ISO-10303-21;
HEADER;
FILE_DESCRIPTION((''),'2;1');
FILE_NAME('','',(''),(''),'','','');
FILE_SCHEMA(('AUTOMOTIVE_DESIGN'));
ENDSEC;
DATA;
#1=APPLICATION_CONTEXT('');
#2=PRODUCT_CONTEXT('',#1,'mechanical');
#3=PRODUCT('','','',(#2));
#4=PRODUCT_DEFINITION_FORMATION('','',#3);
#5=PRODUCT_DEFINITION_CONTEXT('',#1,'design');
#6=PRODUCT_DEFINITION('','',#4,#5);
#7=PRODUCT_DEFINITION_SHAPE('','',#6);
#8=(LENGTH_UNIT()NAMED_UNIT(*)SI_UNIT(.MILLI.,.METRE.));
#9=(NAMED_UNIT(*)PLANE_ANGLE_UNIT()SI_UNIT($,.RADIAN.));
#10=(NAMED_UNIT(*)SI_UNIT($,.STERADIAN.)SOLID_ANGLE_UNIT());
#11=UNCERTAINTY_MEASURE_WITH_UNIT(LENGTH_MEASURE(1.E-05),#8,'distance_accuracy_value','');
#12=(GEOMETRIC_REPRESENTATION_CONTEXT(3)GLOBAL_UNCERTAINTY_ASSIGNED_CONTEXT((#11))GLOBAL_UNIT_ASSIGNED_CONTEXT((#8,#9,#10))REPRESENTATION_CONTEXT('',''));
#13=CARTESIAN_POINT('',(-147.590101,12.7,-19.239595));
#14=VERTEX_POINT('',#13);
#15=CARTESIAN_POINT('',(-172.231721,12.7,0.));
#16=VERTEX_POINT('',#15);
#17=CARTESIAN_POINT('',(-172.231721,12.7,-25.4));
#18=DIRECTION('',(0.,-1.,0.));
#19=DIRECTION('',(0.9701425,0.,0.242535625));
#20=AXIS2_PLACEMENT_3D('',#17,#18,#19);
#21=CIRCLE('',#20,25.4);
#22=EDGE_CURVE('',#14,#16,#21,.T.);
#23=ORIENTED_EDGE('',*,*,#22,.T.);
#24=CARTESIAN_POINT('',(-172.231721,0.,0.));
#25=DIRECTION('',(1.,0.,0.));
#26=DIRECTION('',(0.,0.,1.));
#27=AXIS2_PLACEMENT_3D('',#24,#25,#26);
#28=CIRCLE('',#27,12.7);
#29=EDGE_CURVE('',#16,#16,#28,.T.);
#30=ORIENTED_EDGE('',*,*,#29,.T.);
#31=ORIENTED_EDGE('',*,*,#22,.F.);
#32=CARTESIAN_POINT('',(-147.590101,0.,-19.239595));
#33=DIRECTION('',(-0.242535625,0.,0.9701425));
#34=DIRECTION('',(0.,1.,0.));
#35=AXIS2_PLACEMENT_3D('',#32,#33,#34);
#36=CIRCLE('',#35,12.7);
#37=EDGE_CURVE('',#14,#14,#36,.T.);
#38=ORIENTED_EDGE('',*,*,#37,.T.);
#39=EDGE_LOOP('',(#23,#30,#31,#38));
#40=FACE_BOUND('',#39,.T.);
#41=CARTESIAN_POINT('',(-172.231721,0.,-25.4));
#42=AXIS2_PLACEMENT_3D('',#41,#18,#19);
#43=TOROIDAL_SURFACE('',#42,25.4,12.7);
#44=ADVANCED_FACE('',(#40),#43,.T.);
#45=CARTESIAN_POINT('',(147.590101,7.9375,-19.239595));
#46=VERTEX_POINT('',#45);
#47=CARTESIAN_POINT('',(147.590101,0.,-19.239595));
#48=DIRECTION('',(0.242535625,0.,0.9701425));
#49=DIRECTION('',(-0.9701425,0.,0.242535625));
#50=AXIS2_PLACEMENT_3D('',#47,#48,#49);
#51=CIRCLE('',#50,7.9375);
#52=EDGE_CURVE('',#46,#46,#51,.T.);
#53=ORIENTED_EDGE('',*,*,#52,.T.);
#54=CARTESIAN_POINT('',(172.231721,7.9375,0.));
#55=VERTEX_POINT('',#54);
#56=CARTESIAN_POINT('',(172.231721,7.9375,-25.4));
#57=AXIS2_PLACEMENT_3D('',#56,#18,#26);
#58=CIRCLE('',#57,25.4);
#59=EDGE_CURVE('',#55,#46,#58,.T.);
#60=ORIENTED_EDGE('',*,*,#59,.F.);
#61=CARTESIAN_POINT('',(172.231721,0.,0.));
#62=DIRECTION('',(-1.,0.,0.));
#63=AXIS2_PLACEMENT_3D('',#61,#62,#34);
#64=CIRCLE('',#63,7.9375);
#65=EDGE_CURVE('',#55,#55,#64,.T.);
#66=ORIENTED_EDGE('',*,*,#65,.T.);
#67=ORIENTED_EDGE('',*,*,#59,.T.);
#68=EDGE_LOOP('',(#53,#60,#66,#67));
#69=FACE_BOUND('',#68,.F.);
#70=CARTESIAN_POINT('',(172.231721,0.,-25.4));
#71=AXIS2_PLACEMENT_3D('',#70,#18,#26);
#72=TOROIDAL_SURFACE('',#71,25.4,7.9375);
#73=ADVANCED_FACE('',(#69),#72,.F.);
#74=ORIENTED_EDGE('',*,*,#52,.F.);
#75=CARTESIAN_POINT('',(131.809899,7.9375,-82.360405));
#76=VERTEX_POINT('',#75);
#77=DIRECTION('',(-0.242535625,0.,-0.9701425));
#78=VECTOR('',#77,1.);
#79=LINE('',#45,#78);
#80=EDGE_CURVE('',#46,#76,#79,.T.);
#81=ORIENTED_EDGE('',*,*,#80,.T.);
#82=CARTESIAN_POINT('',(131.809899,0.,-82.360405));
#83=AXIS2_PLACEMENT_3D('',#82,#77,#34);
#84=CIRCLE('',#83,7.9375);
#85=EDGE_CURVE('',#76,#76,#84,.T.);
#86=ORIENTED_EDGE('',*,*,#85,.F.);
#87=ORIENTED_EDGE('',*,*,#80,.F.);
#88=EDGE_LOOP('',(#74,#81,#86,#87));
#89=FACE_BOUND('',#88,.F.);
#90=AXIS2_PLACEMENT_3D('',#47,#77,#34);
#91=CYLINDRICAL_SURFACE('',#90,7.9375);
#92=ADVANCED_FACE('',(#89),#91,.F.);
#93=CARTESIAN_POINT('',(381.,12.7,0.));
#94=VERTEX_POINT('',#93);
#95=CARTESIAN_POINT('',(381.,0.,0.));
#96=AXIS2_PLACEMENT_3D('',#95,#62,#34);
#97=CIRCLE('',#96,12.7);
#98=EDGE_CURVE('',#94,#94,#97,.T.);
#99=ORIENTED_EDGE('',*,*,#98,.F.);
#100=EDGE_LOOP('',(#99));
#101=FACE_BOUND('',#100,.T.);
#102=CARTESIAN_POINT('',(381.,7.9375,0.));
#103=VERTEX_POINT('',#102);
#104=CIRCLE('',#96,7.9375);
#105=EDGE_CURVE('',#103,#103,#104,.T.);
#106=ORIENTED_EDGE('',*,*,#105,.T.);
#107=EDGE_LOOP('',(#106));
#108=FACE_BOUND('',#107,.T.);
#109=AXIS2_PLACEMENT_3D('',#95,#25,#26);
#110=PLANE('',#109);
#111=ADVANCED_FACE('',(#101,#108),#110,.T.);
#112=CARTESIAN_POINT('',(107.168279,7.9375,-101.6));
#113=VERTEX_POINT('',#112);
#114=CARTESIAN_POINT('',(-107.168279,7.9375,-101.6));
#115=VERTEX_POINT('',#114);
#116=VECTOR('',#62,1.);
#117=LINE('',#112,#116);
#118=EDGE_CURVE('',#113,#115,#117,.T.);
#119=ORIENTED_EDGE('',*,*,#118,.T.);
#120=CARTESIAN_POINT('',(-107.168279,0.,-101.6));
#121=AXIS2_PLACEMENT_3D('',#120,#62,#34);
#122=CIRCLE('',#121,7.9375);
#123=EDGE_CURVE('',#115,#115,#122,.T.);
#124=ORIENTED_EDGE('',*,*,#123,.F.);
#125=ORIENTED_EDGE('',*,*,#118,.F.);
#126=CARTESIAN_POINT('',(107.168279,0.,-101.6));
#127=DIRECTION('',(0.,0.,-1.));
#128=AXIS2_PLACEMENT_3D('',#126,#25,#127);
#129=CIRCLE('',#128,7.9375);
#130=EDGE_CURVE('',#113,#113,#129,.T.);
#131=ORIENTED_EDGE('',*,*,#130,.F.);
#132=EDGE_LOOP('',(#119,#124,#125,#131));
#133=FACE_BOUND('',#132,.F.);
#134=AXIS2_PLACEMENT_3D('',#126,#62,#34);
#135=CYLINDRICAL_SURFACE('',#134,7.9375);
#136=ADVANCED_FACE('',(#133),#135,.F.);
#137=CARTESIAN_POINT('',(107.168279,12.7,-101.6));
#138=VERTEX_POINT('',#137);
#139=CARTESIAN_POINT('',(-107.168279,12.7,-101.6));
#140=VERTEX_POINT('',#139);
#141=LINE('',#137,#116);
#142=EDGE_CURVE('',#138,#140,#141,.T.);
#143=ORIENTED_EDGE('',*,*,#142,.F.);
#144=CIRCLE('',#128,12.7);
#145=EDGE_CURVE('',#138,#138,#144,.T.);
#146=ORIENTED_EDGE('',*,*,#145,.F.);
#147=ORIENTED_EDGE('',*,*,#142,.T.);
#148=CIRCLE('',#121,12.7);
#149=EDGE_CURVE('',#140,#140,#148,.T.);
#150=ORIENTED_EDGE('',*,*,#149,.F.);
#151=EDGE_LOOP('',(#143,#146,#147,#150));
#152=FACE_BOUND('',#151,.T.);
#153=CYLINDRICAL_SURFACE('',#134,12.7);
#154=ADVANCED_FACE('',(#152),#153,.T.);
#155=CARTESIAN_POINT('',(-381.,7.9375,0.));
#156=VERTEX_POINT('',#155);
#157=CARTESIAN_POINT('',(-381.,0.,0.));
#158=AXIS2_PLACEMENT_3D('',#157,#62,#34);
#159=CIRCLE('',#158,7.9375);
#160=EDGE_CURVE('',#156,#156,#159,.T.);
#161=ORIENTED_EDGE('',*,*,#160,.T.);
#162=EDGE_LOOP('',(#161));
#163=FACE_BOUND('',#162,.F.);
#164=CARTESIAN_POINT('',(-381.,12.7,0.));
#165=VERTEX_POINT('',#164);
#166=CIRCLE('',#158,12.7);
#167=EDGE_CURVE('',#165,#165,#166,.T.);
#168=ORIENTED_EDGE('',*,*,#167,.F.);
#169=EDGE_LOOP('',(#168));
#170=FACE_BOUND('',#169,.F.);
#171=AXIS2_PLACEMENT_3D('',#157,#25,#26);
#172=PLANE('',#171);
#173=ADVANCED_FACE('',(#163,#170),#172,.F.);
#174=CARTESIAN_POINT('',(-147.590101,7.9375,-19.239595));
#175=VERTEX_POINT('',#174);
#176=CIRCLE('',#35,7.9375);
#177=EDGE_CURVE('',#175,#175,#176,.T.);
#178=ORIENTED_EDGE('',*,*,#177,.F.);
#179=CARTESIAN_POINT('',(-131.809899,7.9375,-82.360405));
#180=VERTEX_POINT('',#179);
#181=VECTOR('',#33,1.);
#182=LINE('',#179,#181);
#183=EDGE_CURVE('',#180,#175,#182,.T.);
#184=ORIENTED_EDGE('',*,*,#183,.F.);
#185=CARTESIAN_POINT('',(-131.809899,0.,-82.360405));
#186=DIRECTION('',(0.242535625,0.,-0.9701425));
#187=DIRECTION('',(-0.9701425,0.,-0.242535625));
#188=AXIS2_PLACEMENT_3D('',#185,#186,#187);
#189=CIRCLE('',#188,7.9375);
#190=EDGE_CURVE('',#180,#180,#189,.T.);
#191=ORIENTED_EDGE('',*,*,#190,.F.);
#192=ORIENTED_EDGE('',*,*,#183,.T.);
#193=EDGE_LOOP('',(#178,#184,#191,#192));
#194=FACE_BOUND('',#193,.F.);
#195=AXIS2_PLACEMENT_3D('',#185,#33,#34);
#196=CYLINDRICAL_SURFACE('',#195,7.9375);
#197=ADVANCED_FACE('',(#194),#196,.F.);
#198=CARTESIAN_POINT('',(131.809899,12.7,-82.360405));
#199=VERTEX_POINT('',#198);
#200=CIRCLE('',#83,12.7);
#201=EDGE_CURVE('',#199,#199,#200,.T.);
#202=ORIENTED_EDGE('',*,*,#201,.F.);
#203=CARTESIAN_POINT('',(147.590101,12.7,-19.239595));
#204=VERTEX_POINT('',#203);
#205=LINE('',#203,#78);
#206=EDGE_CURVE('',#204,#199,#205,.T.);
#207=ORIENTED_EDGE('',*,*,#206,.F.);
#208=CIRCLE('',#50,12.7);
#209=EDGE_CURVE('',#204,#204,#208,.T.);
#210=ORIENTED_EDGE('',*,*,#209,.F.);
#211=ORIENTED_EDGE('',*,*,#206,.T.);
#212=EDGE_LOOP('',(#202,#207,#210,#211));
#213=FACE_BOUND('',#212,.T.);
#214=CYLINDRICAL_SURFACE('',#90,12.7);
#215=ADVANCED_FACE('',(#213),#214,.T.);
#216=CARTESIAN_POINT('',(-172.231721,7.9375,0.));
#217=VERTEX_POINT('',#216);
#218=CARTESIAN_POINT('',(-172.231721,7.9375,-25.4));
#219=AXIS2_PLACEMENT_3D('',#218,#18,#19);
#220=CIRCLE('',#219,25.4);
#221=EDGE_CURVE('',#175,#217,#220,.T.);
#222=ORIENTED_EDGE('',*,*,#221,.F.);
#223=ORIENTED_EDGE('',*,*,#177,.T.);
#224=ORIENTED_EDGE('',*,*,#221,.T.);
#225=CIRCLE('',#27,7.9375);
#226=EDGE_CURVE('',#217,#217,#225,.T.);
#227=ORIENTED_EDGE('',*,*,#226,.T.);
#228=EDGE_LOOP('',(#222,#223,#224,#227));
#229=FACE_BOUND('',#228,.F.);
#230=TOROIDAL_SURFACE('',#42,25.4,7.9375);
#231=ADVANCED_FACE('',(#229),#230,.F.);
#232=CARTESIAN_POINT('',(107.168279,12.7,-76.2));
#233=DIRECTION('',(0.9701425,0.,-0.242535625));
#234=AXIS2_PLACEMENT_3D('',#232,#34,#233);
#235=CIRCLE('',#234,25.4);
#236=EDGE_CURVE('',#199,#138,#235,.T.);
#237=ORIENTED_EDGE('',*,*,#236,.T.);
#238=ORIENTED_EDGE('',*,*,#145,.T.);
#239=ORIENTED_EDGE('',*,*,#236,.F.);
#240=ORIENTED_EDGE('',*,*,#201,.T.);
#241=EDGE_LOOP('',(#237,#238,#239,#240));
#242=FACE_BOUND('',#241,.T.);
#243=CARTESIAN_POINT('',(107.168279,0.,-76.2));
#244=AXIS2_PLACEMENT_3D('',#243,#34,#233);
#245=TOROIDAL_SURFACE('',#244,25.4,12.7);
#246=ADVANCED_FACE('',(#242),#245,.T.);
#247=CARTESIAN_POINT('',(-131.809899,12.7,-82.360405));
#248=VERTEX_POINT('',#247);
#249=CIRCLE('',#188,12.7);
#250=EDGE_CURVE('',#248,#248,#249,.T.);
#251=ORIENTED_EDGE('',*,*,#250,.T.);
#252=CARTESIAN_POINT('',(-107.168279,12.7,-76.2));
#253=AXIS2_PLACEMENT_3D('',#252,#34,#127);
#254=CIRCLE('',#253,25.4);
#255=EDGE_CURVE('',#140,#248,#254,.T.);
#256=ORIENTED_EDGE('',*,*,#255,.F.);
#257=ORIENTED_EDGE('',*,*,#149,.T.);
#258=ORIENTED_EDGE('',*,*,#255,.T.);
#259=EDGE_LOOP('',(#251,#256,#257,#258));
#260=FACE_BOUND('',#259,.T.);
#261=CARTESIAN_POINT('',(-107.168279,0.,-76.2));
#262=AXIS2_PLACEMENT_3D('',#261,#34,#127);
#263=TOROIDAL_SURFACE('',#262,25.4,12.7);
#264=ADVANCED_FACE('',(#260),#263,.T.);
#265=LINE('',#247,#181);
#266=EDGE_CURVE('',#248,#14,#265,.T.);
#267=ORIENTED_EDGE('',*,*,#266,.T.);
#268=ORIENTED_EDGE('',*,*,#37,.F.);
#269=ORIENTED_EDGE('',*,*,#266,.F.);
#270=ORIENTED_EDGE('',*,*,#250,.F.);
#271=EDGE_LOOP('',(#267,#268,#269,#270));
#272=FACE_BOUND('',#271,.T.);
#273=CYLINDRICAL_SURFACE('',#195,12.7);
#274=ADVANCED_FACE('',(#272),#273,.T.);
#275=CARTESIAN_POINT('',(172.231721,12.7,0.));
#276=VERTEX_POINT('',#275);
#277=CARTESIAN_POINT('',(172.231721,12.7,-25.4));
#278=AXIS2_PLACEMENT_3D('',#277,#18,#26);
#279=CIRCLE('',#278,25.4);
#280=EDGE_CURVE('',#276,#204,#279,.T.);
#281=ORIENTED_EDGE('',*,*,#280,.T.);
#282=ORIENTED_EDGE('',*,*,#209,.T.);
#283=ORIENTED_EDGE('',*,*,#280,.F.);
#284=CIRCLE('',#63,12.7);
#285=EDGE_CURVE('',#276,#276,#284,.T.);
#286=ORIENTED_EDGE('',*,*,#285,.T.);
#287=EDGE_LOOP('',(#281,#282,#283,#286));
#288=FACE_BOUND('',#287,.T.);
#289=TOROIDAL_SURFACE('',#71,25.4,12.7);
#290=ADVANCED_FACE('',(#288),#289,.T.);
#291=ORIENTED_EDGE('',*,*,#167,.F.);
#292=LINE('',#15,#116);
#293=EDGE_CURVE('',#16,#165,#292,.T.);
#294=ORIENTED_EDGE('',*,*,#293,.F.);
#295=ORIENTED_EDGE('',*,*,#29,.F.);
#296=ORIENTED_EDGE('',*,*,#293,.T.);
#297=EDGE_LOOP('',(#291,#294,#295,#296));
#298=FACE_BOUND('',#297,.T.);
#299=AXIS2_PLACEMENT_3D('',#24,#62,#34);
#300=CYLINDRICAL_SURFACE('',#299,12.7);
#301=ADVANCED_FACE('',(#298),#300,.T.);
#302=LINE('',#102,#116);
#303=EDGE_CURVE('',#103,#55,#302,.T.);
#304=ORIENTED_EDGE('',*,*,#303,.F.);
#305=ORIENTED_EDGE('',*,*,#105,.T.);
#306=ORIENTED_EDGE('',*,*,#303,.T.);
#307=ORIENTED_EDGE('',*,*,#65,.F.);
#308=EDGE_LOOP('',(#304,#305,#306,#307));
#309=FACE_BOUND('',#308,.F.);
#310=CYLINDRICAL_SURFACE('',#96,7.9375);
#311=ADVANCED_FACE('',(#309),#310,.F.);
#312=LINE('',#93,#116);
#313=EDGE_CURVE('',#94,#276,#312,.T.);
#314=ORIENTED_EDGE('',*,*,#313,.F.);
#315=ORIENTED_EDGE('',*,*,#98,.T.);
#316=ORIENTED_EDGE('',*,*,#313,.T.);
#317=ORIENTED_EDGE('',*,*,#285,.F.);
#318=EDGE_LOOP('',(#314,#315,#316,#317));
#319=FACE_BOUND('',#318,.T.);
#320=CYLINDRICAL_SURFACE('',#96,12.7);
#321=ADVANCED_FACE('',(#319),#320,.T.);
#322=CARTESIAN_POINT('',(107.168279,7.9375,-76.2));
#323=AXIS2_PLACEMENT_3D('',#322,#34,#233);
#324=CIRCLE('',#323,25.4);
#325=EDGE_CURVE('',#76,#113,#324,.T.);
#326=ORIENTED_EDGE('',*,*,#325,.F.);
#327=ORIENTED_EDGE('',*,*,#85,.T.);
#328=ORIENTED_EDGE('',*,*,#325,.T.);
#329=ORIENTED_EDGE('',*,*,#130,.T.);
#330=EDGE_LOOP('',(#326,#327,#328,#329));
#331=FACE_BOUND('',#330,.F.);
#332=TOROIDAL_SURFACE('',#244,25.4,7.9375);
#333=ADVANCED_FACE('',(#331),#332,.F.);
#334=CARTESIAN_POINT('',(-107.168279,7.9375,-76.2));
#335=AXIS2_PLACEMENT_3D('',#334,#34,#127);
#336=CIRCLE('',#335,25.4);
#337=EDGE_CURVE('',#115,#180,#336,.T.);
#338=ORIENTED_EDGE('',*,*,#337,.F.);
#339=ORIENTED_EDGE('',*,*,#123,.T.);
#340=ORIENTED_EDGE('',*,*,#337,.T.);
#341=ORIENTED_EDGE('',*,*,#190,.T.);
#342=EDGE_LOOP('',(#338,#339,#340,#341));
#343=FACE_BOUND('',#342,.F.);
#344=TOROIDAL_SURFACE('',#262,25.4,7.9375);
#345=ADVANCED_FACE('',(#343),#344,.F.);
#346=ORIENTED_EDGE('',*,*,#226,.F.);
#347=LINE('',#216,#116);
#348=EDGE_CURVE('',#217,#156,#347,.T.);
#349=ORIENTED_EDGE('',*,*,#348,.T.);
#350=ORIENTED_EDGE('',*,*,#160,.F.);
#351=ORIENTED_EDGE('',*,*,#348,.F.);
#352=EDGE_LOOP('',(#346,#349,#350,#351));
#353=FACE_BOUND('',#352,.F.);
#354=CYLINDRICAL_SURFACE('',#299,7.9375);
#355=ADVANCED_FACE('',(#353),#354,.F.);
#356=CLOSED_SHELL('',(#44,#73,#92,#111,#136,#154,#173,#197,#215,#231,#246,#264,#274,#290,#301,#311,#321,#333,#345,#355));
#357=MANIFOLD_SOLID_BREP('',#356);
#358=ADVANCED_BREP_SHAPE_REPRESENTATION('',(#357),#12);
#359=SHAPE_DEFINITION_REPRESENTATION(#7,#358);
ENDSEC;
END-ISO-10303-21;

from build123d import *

# Parameters (mm, degrees)
F2_R   = 12.7
F2_R_2 = 7.9375


with BuildPart() as f3:
    # F3: sweep along a path in F0
    with BuildLine(Plane.XZ) as f3_path:
        Line((381, 0), (172.2317207227, 0))
        ThreePointArc((172.2317207227, 0), (156.6002506038, -5.3795818744), (147.590101219, -19.2395951241))
        Line((147.590101219, -19.2395951241), (131.809898781, -82.3604048759))
        ThreePointArc((131.809898781, -82.3604048759), (122.7997493962, -96.2204181256), (107.1682792773, -101.6))
        Line((107.1682792773, -101.6), (-107.1682792773, -101.6))
        ThreePointArc((-107.1682792773, -101.6), (-122.7997493962, -96.2204181256), (-131.809898781, -82.3604048759))
        Line((-131.809898781, -82.3604048759), (-147.590101219, -19.2395951241))
        ThreePointArc((-147.590101219, -19.2395951241), (-156.6002506038, -5.3795818744), (-172.2317207227, 0))
        Line((-172.2317207227, 0), (-381, 0))
    # F2 (on offset) → F3 (sweep)
    with BuildSketch(Plane.YZ.offset(381)):
        Circle(F2_R)
        Circle(F2_R_2, mode=Mode.SUBTRACT)
    sweep(path=f3_path.line)


solid = f3.part
